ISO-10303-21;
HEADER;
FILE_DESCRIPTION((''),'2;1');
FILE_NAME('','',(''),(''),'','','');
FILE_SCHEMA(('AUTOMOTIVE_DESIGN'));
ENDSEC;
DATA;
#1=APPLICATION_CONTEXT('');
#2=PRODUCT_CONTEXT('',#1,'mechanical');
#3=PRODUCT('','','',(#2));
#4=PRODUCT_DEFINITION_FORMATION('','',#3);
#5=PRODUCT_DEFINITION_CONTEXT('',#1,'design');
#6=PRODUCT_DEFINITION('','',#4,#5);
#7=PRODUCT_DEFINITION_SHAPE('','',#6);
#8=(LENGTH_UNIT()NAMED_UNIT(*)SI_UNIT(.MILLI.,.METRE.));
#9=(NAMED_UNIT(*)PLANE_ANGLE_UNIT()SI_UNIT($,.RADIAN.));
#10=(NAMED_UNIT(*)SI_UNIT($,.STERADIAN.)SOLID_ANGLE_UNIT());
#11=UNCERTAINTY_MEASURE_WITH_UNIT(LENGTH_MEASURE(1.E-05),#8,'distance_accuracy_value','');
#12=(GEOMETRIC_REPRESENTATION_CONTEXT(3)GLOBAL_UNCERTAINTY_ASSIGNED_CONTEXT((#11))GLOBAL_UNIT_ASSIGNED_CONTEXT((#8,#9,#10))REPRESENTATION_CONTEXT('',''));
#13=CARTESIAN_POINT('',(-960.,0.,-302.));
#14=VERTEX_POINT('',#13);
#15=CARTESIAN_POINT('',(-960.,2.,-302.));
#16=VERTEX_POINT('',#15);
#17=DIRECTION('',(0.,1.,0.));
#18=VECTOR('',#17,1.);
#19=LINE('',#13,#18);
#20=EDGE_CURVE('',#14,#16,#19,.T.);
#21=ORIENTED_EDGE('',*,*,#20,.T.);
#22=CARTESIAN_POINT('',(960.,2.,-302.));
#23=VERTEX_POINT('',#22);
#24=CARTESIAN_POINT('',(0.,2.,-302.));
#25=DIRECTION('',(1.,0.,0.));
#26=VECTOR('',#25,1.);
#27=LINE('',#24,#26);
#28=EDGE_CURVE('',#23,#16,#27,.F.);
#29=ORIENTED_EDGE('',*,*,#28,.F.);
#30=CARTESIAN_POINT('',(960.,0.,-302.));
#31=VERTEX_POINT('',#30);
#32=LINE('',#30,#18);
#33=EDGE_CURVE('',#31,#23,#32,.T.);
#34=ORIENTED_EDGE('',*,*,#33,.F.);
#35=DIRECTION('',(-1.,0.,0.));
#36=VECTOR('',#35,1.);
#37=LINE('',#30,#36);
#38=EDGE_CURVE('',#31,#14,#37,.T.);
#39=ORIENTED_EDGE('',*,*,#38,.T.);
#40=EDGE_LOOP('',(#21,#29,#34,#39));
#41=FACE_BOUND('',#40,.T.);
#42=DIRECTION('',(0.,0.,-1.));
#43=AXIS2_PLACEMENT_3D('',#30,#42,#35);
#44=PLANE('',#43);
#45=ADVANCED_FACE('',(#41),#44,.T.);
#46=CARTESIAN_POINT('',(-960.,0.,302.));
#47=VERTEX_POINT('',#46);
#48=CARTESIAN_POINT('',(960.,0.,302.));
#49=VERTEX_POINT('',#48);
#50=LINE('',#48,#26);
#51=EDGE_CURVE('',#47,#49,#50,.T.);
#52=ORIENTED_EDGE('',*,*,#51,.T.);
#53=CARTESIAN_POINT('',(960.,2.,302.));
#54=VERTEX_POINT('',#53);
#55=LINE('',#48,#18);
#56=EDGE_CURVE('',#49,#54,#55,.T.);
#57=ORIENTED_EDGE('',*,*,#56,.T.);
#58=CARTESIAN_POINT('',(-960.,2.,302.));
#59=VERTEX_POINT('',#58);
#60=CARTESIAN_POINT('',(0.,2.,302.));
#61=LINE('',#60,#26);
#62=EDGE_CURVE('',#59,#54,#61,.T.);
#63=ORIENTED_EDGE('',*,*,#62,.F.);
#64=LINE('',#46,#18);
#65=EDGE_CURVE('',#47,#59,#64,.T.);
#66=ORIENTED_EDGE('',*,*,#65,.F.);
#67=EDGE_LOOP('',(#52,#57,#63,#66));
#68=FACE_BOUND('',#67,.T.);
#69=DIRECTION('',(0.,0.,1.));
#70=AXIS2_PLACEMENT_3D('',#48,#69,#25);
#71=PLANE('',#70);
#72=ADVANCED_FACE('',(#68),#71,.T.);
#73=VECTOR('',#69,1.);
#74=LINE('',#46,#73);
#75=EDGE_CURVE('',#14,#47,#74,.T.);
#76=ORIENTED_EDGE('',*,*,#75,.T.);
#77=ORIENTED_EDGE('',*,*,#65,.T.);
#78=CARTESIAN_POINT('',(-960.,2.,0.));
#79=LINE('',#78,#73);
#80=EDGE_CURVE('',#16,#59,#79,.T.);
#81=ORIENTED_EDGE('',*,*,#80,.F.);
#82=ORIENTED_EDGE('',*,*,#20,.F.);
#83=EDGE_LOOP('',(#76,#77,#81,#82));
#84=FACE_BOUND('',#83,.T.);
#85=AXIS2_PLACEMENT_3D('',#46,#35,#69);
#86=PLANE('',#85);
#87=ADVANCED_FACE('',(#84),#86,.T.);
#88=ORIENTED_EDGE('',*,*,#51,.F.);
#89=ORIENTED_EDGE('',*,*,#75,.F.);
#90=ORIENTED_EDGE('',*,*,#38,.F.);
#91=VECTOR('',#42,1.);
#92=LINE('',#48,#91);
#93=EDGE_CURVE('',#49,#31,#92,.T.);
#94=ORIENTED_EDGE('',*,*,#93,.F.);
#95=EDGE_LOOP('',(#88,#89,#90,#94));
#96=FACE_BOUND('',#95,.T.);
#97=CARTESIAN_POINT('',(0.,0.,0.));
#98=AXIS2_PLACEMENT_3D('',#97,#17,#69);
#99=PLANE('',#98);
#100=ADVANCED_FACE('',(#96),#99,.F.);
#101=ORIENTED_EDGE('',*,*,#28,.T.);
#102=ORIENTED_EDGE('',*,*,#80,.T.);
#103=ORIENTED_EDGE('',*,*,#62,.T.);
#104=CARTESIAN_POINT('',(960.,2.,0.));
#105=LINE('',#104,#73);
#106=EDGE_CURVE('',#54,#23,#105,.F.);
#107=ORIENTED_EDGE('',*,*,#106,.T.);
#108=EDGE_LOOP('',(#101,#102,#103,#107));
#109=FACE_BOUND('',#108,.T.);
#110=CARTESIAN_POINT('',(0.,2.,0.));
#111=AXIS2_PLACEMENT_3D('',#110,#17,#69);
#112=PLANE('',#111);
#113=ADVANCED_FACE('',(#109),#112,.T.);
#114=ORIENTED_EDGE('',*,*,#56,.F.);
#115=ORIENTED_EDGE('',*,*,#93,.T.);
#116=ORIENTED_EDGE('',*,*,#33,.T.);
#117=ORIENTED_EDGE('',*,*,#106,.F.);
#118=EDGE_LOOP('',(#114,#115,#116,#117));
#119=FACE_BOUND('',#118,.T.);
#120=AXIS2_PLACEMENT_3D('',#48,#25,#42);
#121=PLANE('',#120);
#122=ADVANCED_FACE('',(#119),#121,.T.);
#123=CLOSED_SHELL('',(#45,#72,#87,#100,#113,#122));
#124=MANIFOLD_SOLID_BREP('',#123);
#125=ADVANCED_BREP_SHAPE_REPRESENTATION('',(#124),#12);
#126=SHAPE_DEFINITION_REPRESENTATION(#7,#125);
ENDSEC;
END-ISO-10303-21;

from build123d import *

# Parameters (mm, degrees)
SKETCH1_W   = 1920
SKETCH1_H   = 604
THICKEN1_T1 = 2


with BuildPart() as body_1:
    # Sketch1 → Surface-Plane1: a flat surface bounded by the sketch
    with BuildSketch(Plane(origin=(0, 0, 0), x_dir=(1, 0, 0), z_dir=(0, 1, 0)), mode=Mode.PRIVATE) as surface_plane1_1_region:
        Rectangle(SKETCH1_W, SKETCH1_H)
    surface_plane1_1 = surface_plane1_1_region.sketch.faces()[0]
    add(Solid.thicken(surface_plane1_1, THICKEN1_T1))


solid = body_1.part
